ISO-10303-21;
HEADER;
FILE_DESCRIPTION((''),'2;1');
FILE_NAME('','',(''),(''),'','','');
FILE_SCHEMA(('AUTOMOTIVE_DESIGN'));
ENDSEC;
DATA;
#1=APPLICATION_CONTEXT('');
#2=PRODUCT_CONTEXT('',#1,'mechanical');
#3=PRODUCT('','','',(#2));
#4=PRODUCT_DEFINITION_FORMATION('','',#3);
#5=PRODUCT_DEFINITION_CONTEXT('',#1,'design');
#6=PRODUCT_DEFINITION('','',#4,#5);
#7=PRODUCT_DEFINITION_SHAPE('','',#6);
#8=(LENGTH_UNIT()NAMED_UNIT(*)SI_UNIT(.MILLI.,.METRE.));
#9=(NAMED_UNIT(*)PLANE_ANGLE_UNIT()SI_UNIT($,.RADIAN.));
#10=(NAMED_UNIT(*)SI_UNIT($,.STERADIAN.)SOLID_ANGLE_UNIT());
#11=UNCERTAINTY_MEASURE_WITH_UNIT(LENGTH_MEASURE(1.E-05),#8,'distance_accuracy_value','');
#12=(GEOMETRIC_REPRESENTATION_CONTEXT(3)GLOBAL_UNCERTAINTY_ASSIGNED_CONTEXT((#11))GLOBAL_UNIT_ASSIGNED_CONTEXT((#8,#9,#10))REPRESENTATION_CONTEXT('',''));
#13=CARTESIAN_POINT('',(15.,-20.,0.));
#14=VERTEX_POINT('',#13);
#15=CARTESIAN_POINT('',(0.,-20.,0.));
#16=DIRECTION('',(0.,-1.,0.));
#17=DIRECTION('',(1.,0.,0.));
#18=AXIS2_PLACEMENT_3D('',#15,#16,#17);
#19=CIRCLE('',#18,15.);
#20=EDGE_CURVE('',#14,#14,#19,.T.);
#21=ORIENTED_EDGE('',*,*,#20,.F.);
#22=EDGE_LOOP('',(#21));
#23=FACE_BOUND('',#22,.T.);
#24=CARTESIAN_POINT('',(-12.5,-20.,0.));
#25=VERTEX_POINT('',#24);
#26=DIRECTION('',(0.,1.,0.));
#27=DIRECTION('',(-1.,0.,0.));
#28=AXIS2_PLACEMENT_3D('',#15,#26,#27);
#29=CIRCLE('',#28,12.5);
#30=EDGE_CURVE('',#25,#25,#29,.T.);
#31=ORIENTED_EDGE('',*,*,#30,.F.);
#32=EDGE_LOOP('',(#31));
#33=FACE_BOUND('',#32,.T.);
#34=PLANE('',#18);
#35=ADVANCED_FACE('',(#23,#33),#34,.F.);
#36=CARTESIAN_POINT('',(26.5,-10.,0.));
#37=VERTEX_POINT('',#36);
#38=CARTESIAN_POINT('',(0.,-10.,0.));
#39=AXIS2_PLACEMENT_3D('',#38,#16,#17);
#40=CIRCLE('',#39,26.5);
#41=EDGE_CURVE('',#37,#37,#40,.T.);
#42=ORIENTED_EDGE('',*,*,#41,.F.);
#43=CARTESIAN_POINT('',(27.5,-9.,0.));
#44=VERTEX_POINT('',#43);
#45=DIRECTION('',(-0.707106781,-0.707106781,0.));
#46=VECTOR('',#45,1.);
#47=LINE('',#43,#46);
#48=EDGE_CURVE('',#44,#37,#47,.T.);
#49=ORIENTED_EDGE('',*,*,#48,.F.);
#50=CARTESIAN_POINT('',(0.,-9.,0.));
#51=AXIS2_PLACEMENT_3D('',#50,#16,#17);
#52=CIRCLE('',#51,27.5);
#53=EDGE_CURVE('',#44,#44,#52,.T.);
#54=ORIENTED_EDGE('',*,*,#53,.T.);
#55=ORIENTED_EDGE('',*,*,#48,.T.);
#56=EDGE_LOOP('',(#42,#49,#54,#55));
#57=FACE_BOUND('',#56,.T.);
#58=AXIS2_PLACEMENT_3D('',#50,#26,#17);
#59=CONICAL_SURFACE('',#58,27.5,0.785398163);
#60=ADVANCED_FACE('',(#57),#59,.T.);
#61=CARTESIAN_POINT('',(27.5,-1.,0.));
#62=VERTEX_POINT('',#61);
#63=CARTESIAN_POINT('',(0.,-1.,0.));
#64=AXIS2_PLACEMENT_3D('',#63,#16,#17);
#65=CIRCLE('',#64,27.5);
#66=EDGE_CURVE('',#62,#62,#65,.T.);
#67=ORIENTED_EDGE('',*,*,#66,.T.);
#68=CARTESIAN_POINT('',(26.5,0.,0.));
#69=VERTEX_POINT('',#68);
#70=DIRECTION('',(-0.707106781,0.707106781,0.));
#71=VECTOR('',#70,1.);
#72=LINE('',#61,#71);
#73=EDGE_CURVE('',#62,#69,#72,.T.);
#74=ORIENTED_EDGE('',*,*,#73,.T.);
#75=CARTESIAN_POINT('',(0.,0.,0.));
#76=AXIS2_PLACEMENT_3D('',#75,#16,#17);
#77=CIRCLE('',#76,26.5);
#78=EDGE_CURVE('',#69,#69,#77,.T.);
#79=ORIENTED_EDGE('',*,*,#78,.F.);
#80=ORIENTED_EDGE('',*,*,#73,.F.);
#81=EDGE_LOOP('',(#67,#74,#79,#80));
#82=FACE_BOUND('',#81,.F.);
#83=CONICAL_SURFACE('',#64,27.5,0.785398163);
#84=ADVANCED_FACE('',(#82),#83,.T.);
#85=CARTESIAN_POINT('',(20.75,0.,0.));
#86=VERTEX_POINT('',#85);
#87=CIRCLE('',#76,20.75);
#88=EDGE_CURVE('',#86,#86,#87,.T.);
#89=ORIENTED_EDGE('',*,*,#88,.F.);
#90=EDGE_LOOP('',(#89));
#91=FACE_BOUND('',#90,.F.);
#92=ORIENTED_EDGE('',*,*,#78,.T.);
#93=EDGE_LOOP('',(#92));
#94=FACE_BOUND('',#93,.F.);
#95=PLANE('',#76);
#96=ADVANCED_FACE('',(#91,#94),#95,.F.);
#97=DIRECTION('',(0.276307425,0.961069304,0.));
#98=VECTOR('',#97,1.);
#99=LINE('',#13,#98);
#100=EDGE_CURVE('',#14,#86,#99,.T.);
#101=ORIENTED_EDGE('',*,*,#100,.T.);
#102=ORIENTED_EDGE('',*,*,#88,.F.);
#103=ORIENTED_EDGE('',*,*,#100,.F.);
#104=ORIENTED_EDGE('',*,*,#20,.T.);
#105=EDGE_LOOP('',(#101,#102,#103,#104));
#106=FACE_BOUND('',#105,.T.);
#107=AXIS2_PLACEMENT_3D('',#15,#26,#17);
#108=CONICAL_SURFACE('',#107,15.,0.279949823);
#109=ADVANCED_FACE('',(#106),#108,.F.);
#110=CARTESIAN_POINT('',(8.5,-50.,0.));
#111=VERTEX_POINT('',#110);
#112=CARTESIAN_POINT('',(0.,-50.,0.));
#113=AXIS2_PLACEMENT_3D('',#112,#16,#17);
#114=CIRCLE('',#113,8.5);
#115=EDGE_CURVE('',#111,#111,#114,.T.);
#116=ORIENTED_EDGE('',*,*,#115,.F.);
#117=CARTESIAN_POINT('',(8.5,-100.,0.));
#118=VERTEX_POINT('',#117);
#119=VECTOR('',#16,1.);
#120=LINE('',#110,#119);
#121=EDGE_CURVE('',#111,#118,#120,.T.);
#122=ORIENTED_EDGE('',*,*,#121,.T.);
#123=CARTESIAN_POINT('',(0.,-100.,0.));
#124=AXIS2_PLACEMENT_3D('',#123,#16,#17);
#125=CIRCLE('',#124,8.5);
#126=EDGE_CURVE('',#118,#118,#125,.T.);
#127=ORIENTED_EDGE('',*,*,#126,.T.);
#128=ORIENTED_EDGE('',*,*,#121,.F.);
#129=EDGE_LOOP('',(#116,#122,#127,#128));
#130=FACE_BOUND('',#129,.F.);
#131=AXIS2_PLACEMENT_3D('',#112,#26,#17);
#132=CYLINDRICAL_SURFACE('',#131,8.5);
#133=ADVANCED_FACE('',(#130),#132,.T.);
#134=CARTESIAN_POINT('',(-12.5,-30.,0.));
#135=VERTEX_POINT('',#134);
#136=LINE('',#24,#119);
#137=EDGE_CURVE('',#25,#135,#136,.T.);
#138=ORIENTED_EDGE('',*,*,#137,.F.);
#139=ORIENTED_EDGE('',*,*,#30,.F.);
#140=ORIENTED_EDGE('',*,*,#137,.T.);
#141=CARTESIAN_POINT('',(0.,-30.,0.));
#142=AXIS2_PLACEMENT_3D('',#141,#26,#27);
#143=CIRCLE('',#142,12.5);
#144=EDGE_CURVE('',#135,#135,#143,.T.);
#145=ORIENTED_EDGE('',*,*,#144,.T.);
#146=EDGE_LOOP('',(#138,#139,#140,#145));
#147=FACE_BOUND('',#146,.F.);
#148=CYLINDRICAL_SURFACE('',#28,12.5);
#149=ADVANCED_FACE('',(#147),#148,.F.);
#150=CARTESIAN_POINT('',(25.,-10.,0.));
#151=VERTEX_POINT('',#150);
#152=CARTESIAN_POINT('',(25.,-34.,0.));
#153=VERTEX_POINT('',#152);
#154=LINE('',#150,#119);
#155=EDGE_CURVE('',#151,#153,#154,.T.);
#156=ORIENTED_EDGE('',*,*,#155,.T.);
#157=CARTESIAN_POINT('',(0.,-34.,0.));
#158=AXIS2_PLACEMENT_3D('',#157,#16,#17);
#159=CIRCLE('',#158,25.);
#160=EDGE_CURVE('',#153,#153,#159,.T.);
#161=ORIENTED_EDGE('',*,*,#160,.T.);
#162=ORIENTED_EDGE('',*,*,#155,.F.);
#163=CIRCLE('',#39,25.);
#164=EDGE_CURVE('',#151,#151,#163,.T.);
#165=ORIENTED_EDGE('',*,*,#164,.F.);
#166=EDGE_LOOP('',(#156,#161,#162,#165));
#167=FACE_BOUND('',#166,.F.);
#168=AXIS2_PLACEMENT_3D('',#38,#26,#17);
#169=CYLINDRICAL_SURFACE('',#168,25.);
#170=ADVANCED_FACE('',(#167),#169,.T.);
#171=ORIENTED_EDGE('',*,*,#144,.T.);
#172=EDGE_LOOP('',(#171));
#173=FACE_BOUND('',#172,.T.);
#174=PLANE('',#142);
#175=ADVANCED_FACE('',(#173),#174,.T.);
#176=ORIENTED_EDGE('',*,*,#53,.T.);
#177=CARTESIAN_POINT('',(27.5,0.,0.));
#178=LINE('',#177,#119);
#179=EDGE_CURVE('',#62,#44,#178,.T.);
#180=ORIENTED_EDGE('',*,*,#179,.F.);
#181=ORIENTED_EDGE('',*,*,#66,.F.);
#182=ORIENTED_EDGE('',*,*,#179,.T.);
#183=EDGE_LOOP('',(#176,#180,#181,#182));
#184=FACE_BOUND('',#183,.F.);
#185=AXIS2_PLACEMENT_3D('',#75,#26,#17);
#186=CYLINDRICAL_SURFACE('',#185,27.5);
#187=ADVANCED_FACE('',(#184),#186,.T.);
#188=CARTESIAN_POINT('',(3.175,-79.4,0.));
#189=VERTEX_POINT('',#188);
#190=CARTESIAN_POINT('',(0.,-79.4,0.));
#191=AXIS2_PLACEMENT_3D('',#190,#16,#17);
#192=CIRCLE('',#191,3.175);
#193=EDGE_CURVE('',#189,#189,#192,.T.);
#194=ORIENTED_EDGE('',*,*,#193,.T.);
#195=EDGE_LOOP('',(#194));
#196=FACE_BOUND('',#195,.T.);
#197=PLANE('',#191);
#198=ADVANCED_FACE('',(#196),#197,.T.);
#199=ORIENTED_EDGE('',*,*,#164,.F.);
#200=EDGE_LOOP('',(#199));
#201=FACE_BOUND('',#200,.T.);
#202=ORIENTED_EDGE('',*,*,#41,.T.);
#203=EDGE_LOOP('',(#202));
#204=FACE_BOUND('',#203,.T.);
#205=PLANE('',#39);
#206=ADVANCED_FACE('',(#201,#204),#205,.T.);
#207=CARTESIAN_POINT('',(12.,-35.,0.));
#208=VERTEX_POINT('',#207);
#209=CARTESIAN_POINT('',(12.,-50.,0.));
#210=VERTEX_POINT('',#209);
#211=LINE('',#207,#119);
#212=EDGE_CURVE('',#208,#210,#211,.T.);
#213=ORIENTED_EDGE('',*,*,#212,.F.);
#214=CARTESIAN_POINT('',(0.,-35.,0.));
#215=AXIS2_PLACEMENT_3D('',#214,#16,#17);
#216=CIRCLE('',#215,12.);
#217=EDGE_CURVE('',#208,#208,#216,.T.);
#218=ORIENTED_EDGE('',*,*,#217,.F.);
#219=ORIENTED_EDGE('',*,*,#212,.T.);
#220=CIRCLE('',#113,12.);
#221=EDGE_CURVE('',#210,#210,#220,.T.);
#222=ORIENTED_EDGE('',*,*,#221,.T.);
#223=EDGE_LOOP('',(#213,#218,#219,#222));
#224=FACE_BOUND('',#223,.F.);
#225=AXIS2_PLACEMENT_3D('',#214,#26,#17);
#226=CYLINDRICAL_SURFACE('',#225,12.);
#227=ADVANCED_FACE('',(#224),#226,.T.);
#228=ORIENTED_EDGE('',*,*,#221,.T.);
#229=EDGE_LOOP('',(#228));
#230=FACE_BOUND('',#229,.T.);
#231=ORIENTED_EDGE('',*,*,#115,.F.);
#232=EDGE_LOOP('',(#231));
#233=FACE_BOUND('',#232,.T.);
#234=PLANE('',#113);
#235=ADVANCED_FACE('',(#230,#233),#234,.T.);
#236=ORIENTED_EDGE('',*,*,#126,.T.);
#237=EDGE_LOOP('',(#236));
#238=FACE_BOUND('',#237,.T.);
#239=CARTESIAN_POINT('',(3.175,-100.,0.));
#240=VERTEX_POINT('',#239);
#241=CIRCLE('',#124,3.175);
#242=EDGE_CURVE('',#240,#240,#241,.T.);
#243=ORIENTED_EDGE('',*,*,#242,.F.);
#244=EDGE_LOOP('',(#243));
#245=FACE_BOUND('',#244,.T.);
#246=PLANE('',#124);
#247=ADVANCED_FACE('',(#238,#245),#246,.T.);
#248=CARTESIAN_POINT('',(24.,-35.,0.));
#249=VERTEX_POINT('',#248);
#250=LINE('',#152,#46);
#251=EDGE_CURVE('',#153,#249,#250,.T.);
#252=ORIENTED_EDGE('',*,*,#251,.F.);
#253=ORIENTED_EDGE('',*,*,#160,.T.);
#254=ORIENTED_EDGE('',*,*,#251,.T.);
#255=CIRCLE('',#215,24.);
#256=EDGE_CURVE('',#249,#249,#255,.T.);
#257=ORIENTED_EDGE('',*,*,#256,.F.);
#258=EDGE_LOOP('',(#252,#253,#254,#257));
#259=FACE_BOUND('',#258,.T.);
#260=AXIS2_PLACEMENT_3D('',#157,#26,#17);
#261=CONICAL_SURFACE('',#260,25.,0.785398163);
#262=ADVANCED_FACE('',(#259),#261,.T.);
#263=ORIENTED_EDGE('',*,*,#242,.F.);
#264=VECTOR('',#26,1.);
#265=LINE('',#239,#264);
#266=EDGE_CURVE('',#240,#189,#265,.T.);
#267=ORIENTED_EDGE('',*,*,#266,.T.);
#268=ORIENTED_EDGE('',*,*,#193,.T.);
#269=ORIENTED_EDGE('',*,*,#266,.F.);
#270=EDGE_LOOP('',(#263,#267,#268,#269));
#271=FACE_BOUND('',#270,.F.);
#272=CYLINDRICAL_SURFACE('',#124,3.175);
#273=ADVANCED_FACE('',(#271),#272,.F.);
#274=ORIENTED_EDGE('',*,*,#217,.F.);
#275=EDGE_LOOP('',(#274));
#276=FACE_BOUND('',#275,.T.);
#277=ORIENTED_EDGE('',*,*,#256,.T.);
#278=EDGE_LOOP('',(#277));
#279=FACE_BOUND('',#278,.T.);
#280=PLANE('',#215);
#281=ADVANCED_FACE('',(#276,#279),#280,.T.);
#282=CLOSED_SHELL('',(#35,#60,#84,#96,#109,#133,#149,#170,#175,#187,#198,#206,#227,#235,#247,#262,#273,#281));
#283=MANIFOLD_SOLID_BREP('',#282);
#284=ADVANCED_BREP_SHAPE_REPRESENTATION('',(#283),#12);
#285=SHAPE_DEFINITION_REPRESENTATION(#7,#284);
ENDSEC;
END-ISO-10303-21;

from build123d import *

# Parameters (mm, degrees)
F0_R      = 27.5
F1_DEPTH  = 10
F2_R      = 25
F3_DEPTH  = 25
F4_R      = 12
F5_DEPTH  = 15
F6_SIZE   = 1
F9_R      = 12.5
F10_DEPTH = 10
F11_R     = 8.5
F12_DEPTH = 50
F13_R     = 3.175
F14_DEPTH = 20.6


with BuildPart() as f1:
    # F0 (on Front) → F1 (new body)
    with BuildSketch(Plane.XZ):
        Circle(F0_R)
    extrude(amount=F1_DEPTH)

    # F2 (on face) → F3 (join)
    with BuildSketch(Plane.XZ.offset(10)):
        Circle(F2_R)
    extrude(amount=F3_DEPTH)

    # F4 (on face) → F5 (join)
    with BuildSketch(Plane.XZ.offset(35)):
        Circle(F4_R)
    extrude(amount=F5_DEPTH)

    # F6
    f6_edges = [f1.edges().sort_by_distance(p)[0] for p in [
        (-27.5, -10, 0),
        (-27.5, 0, 0),
        (-25, -35, 0),
    ]]
    chamfer(f6_edges, length=F6_SIZE)

    # F7 (on Top) → F8 (revolve, cut)
    with BuildSketch(Plane.XY):
        Polygon((20.75, 0), (0, 0), (0, -20), (15, -20), align=None)
    revolve(axis=Axis((0, -10, 0), (0, -1, 0)), mode=Mode.SUBTRACT)

    # F9 (on face) → F10 (cut)
    with BuildSketch(Plane(origin=(0, -20, 0), x_dir=(-1, 0, 0), z_dir=(0, 1, 0))):
        Circle(F9_R)
    extrude(amount=-F10_DEPTH, mode=Mode.SUBTRACT)

    # F11 (on face) → F12 (join)
    with BuildSketch(Plane.XZ.offset(50)):
        Circle(F11_R)
    extrude(amount=F12_DEPTH)

    # F13 (on face) → F14 (cut)
    with BuildSketch(Plane.XZ.offset(100)):
        Circle(F13_R)
    extrude(amount=-F14_DEPTH, mode=Mode.SUBTRACT)


solid = f1.part
